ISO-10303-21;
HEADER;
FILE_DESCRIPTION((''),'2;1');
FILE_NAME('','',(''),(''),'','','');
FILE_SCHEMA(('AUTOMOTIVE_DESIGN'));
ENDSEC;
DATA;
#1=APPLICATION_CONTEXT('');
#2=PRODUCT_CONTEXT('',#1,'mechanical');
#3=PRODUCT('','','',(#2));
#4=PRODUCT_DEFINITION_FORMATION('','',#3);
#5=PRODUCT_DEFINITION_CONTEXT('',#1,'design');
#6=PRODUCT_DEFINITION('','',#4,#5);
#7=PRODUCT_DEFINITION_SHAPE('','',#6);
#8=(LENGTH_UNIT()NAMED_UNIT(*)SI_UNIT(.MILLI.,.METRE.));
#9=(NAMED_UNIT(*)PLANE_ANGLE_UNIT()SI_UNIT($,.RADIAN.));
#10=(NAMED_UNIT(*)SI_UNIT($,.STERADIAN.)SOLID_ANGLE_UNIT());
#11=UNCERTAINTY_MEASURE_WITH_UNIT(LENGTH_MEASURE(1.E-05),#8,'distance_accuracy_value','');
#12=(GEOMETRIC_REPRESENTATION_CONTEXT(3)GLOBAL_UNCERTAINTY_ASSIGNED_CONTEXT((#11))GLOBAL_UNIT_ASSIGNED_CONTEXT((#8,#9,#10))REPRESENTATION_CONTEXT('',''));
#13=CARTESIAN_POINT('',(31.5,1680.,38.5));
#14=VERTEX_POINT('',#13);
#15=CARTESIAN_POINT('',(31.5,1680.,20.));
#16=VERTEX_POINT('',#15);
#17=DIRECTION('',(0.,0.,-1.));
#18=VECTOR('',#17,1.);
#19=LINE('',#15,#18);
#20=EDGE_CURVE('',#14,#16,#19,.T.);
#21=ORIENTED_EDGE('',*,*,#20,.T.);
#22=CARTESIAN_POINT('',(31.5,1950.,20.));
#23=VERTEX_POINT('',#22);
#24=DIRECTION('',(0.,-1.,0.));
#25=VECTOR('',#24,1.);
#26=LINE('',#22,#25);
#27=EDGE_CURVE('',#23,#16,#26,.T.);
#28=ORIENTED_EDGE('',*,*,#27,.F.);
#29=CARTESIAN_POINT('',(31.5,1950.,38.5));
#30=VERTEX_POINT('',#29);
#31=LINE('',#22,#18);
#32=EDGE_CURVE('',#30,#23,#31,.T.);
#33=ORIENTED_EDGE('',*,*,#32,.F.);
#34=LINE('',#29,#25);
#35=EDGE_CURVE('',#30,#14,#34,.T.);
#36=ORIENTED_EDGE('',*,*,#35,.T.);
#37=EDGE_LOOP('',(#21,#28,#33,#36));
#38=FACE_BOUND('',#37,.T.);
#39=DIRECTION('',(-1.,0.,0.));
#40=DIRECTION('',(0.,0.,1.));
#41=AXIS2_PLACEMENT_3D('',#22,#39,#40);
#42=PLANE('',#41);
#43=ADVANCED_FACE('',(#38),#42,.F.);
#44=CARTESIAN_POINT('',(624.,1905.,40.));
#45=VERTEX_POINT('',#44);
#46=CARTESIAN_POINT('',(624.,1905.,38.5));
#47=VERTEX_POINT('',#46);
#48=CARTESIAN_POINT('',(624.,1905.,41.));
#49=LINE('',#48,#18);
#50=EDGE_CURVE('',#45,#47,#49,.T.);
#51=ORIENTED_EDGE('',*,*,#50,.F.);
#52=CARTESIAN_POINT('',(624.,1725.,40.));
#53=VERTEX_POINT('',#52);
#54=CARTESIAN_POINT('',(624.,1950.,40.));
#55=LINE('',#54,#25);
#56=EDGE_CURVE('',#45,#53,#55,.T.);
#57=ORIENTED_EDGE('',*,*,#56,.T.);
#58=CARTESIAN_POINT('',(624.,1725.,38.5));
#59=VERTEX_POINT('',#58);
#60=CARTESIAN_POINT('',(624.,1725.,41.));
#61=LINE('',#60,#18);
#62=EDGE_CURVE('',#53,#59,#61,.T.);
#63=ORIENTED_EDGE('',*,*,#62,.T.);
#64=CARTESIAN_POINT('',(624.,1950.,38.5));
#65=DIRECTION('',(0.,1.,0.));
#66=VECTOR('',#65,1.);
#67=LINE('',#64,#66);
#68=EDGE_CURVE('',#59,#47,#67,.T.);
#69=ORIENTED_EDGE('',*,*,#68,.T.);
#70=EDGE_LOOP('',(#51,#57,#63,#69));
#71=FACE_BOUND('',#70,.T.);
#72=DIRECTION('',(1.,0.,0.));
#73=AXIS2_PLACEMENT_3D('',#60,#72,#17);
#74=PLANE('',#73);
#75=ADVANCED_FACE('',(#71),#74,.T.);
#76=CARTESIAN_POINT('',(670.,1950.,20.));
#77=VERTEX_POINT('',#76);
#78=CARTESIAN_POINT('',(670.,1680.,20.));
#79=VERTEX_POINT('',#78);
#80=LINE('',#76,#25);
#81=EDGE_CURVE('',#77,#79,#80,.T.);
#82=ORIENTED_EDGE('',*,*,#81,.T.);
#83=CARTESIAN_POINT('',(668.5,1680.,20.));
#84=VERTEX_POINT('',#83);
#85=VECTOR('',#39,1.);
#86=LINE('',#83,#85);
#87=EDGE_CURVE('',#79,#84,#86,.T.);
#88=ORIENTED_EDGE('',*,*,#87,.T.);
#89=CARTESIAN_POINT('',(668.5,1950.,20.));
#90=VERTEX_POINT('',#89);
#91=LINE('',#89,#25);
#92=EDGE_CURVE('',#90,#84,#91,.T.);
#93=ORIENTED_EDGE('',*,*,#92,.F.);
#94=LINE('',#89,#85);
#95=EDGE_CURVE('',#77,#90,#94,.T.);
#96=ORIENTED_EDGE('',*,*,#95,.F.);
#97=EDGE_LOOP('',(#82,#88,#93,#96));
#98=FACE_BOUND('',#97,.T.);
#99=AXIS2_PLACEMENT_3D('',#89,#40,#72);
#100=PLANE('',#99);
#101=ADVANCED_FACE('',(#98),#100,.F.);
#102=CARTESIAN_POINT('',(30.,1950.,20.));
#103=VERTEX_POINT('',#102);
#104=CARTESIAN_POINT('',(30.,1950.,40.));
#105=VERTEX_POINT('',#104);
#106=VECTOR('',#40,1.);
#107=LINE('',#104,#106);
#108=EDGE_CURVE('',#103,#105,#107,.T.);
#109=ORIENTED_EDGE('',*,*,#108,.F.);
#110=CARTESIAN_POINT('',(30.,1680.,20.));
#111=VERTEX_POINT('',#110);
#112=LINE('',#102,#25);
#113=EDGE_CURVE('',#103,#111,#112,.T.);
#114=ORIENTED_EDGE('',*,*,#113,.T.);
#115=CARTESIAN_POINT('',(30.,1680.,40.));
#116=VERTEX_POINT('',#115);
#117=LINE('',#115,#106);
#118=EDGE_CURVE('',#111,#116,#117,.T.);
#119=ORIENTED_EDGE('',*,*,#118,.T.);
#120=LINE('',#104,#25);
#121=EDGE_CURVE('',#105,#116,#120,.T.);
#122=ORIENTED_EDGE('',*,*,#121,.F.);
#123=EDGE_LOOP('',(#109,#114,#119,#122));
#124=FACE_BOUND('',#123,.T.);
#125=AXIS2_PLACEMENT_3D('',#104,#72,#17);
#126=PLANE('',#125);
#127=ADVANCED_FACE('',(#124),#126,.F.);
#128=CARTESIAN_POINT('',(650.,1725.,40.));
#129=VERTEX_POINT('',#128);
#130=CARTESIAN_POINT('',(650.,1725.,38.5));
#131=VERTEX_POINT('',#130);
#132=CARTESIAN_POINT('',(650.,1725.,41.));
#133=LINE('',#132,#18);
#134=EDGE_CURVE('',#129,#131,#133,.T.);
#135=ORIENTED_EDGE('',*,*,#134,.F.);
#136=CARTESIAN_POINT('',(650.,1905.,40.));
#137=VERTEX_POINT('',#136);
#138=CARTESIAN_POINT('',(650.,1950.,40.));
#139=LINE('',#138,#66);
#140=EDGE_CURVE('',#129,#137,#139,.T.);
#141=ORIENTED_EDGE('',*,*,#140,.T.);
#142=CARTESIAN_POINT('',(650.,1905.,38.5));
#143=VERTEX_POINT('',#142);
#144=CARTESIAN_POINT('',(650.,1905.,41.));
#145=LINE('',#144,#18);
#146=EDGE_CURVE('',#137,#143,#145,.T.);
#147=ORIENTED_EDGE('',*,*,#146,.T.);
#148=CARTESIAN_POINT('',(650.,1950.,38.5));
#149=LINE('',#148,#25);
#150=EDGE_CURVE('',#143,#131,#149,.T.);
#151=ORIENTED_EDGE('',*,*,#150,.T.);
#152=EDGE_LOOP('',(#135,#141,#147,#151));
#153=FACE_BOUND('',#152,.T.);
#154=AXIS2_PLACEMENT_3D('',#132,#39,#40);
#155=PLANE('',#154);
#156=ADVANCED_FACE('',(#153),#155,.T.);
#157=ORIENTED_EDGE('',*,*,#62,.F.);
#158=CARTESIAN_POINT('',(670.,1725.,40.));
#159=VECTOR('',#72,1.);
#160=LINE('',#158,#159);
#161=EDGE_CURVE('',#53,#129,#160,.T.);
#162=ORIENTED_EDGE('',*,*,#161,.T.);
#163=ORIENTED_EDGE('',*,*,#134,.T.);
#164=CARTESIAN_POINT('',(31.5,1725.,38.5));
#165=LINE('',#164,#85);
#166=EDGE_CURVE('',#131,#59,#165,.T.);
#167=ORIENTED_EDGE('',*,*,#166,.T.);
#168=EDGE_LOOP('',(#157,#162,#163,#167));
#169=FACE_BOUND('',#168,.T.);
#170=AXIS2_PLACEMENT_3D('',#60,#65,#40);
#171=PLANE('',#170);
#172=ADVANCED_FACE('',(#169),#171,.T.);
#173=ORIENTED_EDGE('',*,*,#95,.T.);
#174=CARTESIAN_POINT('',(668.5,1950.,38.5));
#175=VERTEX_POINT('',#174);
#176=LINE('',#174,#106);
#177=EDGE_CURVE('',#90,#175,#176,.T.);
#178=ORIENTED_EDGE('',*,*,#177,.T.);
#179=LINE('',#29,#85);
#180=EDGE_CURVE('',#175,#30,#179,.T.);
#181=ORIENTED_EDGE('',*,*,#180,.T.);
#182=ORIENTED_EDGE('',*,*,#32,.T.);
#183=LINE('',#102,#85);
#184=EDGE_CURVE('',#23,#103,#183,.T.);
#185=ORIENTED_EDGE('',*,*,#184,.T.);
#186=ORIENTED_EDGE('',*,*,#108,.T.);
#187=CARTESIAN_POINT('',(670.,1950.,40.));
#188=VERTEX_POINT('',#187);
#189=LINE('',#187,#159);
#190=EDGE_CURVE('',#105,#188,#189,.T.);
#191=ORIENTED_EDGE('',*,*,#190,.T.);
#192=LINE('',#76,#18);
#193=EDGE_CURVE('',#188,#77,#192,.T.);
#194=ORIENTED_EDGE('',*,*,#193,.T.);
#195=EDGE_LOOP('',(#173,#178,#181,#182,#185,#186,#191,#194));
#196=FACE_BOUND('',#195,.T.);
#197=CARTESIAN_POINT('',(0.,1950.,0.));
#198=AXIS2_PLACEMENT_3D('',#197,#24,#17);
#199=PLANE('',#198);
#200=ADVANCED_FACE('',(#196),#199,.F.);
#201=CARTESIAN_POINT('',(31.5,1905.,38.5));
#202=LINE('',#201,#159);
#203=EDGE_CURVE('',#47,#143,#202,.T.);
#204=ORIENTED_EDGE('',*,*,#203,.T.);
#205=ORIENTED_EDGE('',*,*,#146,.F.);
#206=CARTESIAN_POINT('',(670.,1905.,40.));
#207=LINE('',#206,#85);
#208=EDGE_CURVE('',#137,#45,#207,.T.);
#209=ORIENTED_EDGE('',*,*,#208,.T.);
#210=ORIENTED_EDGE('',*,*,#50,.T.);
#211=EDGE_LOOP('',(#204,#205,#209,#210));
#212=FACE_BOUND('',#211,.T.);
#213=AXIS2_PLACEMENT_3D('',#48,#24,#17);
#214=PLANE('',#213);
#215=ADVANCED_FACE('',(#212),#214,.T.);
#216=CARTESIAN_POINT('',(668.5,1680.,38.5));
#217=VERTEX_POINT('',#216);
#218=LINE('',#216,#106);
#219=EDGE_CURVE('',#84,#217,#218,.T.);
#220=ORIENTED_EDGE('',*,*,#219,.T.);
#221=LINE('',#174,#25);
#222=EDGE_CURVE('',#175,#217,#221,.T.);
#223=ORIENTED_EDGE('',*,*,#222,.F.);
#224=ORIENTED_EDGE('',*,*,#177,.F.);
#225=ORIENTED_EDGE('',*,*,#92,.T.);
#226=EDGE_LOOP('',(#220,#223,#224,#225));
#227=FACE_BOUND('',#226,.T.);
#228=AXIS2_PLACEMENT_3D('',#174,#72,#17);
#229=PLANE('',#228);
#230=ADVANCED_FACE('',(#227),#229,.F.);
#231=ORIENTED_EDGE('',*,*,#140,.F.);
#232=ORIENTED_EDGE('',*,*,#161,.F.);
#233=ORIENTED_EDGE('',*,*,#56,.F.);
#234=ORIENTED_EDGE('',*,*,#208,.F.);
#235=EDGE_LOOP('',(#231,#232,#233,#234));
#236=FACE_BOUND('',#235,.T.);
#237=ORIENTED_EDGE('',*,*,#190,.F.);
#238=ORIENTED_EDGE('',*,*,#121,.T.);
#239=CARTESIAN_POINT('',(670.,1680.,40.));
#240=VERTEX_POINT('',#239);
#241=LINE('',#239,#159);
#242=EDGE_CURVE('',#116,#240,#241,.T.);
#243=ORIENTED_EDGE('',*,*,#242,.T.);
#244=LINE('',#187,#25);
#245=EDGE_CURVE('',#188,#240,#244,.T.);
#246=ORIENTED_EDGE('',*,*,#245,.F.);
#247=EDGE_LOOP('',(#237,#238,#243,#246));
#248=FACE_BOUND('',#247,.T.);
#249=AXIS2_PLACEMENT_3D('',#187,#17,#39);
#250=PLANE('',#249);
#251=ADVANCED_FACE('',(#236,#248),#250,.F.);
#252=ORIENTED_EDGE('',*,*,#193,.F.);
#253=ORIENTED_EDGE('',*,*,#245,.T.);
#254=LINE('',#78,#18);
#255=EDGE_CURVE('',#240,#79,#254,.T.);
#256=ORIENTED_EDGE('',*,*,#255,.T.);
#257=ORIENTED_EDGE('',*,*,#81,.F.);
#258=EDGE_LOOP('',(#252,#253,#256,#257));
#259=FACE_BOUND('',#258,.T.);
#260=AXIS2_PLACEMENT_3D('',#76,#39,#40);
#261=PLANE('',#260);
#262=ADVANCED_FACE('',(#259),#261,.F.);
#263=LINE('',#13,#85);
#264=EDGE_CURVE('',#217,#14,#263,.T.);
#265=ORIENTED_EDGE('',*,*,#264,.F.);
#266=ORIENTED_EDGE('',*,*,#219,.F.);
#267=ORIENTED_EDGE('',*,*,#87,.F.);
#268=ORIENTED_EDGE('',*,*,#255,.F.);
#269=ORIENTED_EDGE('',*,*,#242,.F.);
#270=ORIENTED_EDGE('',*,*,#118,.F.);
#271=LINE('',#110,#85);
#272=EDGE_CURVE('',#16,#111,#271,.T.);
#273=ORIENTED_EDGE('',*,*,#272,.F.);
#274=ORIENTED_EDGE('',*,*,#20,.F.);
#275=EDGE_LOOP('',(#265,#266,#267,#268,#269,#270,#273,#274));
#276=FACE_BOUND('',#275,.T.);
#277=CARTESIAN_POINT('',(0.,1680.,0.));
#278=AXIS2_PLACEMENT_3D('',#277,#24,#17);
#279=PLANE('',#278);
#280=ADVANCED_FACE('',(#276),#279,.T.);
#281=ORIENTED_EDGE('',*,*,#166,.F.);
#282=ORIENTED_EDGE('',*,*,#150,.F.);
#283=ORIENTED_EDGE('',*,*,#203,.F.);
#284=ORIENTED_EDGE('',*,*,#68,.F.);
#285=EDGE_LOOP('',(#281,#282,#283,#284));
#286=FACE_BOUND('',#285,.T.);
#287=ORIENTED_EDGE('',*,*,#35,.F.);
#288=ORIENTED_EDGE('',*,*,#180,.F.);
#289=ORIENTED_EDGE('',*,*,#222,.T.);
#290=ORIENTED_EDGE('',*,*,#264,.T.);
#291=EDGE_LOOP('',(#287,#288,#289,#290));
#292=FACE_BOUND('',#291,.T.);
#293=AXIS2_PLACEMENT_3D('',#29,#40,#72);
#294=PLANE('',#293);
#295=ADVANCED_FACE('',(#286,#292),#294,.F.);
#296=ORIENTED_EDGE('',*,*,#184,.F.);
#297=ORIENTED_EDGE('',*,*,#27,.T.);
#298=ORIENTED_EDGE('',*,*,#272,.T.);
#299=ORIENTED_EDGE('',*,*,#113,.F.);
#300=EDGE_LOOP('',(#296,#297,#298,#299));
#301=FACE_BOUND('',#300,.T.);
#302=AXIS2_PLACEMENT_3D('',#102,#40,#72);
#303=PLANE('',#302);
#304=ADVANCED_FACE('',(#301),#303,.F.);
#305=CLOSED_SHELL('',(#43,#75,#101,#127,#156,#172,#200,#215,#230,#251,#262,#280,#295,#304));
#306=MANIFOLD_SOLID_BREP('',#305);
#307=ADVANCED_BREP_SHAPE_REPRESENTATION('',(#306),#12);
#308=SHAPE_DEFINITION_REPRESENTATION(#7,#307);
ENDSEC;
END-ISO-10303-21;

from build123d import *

# Parameters (mm, degrees)
OVEN_FAN_FILTRE_KAPAGI_KAPAK_1_START = 1680
OVEN_FAN_FILTRE_KAPAGI_KAPAK_1_DEPTH = 270
OVEN_FAN_FILTRE_KAPAGI_KAPAK_2_START = 27
SKETCH2_W                            = 26
SKETCH2_H                            = 180
OVEN_FAN_FILTRE_KAPAGI_KAPAK_2_DEPTH = 14


with BuildPart() as part:
    # Sketch1 → OVEN_fan_filtre_kapagi_kapak_1 (new body)
    with BuildSketch(Plane(origin=(0, 0, 0), x_dir=(1, 0, 0), z_dir=(0, 1, 0)).offset(OVEN_FAN_FILTRE_KAPAGI_KAPAK_1_START)):
        Polygon((30, -40), (30, -20), (31.5, -20), (31.5, -38.5), (668.5, -38.5), (668.5, -20), (670, -20), (670, -40), align=None)
    extrude(amount=OVEN_FAN_FILTRE_KAPAGI_KAPAK_1_DEPTH)

    # Sketch2 → OVEN_fan_filtre_kapagi_kapak_2 (cut)
    with BuildSketch(Plane.XY.offset(OVEN_FAN_FILTRE_KAPAGI_KAPAK_2_START)):
        with Locations((637, 1815)):
            Rectangle(SKETCH2_W, SKETCH2_H)
    extrude(amount=OVEN_FAN_FILTRE_KAPAGI_KAPAK_2_DEPTH, mode=Mode.SUBTRACT)


solid = part.part
